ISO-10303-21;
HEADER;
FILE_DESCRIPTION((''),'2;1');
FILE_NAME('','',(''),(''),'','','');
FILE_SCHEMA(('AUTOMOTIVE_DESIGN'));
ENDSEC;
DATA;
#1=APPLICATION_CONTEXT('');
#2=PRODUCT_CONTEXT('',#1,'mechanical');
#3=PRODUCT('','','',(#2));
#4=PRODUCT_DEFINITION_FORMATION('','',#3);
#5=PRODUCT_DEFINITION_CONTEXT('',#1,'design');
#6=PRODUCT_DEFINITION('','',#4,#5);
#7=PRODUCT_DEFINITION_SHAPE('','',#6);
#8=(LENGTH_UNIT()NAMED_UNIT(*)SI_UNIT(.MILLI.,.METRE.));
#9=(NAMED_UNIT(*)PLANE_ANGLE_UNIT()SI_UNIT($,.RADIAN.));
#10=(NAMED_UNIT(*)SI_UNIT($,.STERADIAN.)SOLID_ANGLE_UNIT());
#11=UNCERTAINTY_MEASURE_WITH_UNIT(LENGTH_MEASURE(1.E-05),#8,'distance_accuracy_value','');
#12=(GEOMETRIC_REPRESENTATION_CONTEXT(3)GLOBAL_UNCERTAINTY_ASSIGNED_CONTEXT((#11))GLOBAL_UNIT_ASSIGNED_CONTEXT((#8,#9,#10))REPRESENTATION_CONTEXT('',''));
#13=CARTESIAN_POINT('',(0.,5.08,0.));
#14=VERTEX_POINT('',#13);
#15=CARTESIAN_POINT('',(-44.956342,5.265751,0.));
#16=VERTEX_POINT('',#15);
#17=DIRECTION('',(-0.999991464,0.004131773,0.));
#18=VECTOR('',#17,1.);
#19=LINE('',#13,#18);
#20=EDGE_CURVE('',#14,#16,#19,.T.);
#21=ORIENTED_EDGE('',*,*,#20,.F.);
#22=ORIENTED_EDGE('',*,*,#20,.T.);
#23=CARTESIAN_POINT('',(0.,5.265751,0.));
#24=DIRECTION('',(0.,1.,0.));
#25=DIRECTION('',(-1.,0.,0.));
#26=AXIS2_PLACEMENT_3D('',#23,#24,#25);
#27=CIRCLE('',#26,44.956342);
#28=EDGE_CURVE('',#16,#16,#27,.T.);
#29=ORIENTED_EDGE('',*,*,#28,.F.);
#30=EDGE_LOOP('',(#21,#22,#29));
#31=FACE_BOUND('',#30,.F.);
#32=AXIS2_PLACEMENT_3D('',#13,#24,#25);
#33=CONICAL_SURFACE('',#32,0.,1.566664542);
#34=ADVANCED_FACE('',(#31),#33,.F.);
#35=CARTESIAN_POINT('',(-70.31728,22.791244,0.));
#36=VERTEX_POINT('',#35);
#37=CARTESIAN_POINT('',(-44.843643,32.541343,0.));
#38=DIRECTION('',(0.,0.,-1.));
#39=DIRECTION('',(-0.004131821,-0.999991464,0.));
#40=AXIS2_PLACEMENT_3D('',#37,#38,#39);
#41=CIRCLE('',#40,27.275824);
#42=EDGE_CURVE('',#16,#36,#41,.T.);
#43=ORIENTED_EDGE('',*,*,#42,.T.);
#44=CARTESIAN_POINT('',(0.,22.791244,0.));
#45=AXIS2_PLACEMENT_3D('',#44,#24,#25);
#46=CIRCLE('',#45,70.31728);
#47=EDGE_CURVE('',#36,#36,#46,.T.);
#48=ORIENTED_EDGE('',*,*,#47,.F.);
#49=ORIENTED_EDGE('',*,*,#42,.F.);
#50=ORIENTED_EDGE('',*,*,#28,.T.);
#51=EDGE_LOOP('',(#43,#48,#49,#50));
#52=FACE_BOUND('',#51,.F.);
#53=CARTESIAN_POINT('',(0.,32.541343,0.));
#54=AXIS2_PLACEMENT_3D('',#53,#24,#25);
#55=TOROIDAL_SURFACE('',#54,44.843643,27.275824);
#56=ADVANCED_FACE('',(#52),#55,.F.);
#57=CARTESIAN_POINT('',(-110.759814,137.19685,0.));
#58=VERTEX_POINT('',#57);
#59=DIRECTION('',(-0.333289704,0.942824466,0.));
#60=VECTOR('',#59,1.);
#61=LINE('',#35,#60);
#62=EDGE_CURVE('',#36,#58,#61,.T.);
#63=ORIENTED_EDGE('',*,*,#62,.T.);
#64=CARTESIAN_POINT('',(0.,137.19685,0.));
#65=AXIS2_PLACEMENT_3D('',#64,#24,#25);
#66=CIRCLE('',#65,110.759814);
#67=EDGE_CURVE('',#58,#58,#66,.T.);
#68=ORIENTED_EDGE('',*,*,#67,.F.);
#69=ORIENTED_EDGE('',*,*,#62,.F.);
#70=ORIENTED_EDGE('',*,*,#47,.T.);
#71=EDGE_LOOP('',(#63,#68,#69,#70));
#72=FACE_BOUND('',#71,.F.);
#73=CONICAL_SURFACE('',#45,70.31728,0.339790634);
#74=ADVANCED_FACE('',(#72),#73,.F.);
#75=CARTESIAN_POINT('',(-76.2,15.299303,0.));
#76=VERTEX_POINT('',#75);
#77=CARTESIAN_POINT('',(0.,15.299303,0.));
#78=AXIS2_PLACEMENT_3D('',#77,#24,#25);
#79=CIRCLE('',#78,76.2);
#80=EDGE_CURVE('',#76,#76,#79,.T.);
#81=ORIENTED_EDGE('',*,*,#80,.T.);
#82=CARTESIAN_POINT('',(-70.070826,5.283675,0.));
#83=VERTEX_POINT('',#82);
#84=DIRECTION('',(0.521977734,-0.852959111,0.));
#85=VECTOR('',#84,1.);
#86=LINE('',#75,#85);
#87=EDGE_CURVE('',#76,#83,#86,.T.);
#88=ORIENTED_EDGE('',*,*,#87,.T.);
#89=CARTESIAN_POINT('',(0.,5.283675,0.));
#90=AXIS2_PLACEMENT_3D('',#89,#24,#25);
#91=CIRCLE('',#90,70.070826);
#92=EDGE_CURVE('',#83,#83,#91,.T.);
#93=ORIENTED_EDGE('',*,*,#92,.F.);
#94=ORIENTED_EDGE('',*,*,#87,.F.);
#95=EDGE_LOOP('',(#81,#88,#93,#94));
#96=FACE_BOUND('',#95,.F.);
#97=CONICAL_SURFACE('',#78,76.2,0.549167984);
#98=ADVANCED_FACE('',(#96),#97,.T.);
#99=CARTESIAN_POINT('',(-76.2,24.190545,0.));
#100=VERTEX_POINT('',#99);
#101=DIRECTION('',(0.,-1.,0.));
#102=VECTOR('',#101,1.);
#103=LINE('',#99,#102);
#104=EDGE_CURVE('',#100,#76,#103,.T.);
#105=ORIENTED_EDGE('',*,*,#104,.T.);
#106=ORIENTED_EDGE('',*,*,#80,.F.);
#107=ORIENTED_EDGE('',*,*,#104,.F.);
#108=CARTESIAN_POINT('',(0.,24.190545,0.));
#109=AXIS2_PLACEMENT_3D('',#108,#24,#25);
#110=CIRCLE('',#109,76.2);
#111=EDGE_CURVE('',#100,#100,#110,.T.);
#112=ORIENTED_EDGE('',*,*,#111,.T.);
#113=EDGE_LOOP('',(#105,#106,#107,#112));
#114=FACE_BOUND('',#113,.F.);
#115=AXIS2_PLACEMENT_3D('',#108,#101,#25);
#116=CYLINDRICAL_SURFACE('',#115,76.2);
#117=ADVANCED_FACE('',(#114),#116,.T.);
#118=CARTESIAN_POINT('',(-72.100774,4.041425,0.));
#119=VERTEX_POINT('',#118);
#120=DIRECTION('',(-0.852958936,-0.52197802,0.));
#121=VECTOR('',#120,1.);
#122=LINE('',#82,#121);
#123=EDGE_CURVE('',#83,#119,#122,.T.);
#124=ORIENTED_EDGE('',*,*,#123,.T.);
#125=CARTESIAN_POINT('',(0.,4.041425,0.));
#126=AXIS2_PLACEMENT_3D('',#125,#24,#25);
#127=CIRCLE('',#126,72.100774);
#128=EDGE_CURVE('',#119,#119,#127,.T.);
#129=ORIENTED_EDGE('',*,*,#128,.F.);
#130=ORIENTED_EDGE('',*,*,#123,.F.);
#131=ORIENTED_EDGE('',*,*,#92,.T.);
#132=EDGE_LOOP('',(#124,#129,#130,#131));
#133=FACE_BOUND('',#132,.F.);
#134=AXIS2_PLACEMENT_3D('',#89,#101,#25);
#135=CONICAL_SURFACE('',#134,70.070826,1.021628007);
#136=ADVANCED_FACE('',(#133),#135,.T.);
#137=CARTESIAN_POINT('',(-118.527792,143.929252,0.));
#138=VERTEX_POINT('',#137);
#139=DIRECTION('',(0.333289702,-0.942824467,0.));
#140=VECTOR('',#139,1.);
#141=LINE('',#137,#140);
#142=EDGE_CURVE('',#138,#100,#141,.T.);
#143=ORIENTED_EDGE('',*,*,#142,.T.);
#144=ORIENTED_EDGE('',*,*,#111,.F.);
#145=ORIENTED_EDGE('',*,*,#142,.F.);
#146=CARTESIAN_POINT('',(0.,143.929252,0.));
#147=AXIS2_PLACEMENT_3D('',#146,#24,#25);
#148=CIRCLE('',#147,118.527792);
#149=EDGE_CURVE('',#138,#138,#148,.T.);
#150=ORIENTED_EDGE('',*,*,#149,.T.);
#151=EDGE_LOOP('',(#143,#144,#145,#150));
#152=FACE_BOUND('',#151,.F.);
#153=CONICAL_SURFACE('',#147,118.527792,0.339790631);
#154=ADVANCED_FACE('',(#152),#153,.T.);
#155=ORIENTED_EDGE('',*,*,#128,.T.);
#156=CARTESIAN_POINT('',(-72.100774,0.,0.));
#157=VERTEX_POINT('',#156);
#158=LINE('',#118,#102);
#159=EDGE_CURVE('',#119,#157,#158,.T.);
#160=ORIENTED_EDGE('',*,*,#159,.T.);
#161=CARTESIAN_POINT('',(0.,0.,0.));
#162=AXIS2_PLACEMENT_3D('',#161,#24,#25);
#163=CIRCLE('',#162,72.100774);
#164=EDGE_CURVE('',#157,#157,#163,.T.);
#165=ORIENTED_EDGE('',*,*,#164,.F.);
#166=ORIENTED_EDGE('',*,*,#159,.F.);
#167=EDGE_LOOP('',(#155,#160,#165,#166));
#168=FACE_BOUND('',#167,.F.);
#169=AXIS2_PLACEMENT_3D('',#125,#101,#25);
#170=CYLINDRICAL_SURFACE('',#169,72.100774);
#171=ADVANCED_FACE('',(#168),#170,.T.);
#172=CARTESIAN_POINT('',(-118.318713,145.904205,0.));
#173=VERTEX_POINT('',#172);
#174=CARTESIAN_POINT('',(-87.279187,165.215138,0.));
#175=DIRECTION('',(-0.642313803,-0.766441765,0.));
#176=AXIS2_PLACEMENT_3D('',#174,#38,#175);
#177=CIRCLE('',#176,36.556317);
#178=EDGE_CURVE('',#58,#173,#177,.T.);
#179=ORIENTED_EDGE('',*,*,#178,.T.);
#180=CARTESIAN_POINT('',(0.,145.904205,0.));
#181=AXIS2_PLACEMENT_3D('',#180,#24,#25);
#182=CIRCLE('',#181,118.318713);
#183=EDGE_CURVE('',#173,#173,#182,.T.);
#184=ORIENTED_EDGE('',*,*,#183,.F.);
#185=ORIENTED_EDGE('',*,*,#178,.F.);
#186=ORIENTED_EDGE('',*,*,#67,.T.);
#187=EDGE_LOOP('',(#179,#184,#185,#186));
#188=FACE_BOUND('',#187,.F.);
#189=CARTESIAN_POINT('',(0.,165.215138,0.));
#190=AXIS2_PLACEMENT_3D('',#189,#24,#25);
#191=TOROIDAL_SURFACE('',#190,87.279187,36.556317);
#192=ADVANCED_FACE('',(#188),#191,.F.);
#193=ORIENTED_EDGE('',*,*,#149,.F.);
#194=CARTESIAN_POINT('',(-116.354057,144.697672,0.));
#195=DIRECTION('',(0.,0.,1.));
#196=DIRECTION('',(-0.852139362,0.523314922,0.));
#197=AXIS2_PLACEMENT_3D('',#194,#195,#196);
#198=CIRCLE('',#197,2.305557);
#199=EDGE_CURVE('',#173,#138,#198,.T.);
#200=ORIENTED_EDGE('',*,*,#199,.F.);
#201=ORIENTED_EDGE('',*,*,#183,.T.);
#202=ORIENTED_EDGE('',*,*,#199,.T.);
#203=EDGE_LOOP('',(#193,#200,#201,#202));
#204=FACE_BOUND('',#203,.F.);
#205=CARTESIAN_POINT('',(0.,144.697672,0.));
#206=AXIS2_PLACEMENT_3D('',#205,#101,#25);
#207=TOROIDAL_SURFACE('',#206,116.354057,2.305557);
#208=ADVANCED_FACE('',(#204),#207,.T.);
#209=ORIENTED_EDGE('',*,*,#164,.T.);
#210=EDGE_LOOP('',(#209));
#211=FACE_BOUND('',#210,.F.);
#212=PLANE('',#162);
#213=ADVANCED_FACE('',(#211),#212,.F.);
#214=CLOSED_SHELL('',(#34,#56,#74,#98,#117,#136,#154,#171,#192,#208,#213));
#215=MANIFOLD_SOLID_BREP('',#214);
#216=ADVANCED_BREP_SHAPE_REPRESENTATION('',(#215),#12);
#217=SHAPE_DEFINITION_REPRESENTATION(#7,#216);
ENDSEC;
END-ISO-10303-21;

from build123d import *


with BuildPart() as f1:
    # F0 (on Top) → F1 (revolve)
    with BuildSketch(Plane.XY):
        with BuildLine():
            Line((-118.527792, 143.929252), (-76.2, 24.190545))
            Line((-76.2, 24.190545), (-76.2, 15.299303))
            Line((-76.2, 15.299303), (-70.070826, 5.283675))
            Line((-70.070826, 5.283675), (-72.100774, 4.041425))
            Line((-72.100774, 4.041425), (-72.100774, 0))
            Line((-72.100774, 0), (-67.64861, 0))
            Line((-67.64861, 0), (-63.300512, 0))
            Line((-63.300512, 0), (-62.260545, 0))
            Line((-62.260545, 0), (-21.51492, 0))
            Line((-21.51492, 0), (-13.889255, 0))
            Line((-13.889255, 0), (0, 0))
            Line((0, 0), (0, 5.08))
            Line((0, 5.08), (-44.956342, 5.265751))
            ThreePointArc((-44.956342, 5.265751), (-60.350121, 10.102097), (-70.31728, 22.791244))
            Line((-70.31728, 22.791244), (-110.759814, 137.19685))
            ThreePointArc((-110.759814, 137.19685), (-114.884735, 141.250622), (-118.318713, 145.904205))
            ThreePointArc((-118.318713, 145.904205), (-118.646802, 144.940395), (-118.527792, 143.929252))
        make_face()
    revolve(axis=Axis((0, 2.54, 0), (0, 1, 0)))


solid = f1.part
